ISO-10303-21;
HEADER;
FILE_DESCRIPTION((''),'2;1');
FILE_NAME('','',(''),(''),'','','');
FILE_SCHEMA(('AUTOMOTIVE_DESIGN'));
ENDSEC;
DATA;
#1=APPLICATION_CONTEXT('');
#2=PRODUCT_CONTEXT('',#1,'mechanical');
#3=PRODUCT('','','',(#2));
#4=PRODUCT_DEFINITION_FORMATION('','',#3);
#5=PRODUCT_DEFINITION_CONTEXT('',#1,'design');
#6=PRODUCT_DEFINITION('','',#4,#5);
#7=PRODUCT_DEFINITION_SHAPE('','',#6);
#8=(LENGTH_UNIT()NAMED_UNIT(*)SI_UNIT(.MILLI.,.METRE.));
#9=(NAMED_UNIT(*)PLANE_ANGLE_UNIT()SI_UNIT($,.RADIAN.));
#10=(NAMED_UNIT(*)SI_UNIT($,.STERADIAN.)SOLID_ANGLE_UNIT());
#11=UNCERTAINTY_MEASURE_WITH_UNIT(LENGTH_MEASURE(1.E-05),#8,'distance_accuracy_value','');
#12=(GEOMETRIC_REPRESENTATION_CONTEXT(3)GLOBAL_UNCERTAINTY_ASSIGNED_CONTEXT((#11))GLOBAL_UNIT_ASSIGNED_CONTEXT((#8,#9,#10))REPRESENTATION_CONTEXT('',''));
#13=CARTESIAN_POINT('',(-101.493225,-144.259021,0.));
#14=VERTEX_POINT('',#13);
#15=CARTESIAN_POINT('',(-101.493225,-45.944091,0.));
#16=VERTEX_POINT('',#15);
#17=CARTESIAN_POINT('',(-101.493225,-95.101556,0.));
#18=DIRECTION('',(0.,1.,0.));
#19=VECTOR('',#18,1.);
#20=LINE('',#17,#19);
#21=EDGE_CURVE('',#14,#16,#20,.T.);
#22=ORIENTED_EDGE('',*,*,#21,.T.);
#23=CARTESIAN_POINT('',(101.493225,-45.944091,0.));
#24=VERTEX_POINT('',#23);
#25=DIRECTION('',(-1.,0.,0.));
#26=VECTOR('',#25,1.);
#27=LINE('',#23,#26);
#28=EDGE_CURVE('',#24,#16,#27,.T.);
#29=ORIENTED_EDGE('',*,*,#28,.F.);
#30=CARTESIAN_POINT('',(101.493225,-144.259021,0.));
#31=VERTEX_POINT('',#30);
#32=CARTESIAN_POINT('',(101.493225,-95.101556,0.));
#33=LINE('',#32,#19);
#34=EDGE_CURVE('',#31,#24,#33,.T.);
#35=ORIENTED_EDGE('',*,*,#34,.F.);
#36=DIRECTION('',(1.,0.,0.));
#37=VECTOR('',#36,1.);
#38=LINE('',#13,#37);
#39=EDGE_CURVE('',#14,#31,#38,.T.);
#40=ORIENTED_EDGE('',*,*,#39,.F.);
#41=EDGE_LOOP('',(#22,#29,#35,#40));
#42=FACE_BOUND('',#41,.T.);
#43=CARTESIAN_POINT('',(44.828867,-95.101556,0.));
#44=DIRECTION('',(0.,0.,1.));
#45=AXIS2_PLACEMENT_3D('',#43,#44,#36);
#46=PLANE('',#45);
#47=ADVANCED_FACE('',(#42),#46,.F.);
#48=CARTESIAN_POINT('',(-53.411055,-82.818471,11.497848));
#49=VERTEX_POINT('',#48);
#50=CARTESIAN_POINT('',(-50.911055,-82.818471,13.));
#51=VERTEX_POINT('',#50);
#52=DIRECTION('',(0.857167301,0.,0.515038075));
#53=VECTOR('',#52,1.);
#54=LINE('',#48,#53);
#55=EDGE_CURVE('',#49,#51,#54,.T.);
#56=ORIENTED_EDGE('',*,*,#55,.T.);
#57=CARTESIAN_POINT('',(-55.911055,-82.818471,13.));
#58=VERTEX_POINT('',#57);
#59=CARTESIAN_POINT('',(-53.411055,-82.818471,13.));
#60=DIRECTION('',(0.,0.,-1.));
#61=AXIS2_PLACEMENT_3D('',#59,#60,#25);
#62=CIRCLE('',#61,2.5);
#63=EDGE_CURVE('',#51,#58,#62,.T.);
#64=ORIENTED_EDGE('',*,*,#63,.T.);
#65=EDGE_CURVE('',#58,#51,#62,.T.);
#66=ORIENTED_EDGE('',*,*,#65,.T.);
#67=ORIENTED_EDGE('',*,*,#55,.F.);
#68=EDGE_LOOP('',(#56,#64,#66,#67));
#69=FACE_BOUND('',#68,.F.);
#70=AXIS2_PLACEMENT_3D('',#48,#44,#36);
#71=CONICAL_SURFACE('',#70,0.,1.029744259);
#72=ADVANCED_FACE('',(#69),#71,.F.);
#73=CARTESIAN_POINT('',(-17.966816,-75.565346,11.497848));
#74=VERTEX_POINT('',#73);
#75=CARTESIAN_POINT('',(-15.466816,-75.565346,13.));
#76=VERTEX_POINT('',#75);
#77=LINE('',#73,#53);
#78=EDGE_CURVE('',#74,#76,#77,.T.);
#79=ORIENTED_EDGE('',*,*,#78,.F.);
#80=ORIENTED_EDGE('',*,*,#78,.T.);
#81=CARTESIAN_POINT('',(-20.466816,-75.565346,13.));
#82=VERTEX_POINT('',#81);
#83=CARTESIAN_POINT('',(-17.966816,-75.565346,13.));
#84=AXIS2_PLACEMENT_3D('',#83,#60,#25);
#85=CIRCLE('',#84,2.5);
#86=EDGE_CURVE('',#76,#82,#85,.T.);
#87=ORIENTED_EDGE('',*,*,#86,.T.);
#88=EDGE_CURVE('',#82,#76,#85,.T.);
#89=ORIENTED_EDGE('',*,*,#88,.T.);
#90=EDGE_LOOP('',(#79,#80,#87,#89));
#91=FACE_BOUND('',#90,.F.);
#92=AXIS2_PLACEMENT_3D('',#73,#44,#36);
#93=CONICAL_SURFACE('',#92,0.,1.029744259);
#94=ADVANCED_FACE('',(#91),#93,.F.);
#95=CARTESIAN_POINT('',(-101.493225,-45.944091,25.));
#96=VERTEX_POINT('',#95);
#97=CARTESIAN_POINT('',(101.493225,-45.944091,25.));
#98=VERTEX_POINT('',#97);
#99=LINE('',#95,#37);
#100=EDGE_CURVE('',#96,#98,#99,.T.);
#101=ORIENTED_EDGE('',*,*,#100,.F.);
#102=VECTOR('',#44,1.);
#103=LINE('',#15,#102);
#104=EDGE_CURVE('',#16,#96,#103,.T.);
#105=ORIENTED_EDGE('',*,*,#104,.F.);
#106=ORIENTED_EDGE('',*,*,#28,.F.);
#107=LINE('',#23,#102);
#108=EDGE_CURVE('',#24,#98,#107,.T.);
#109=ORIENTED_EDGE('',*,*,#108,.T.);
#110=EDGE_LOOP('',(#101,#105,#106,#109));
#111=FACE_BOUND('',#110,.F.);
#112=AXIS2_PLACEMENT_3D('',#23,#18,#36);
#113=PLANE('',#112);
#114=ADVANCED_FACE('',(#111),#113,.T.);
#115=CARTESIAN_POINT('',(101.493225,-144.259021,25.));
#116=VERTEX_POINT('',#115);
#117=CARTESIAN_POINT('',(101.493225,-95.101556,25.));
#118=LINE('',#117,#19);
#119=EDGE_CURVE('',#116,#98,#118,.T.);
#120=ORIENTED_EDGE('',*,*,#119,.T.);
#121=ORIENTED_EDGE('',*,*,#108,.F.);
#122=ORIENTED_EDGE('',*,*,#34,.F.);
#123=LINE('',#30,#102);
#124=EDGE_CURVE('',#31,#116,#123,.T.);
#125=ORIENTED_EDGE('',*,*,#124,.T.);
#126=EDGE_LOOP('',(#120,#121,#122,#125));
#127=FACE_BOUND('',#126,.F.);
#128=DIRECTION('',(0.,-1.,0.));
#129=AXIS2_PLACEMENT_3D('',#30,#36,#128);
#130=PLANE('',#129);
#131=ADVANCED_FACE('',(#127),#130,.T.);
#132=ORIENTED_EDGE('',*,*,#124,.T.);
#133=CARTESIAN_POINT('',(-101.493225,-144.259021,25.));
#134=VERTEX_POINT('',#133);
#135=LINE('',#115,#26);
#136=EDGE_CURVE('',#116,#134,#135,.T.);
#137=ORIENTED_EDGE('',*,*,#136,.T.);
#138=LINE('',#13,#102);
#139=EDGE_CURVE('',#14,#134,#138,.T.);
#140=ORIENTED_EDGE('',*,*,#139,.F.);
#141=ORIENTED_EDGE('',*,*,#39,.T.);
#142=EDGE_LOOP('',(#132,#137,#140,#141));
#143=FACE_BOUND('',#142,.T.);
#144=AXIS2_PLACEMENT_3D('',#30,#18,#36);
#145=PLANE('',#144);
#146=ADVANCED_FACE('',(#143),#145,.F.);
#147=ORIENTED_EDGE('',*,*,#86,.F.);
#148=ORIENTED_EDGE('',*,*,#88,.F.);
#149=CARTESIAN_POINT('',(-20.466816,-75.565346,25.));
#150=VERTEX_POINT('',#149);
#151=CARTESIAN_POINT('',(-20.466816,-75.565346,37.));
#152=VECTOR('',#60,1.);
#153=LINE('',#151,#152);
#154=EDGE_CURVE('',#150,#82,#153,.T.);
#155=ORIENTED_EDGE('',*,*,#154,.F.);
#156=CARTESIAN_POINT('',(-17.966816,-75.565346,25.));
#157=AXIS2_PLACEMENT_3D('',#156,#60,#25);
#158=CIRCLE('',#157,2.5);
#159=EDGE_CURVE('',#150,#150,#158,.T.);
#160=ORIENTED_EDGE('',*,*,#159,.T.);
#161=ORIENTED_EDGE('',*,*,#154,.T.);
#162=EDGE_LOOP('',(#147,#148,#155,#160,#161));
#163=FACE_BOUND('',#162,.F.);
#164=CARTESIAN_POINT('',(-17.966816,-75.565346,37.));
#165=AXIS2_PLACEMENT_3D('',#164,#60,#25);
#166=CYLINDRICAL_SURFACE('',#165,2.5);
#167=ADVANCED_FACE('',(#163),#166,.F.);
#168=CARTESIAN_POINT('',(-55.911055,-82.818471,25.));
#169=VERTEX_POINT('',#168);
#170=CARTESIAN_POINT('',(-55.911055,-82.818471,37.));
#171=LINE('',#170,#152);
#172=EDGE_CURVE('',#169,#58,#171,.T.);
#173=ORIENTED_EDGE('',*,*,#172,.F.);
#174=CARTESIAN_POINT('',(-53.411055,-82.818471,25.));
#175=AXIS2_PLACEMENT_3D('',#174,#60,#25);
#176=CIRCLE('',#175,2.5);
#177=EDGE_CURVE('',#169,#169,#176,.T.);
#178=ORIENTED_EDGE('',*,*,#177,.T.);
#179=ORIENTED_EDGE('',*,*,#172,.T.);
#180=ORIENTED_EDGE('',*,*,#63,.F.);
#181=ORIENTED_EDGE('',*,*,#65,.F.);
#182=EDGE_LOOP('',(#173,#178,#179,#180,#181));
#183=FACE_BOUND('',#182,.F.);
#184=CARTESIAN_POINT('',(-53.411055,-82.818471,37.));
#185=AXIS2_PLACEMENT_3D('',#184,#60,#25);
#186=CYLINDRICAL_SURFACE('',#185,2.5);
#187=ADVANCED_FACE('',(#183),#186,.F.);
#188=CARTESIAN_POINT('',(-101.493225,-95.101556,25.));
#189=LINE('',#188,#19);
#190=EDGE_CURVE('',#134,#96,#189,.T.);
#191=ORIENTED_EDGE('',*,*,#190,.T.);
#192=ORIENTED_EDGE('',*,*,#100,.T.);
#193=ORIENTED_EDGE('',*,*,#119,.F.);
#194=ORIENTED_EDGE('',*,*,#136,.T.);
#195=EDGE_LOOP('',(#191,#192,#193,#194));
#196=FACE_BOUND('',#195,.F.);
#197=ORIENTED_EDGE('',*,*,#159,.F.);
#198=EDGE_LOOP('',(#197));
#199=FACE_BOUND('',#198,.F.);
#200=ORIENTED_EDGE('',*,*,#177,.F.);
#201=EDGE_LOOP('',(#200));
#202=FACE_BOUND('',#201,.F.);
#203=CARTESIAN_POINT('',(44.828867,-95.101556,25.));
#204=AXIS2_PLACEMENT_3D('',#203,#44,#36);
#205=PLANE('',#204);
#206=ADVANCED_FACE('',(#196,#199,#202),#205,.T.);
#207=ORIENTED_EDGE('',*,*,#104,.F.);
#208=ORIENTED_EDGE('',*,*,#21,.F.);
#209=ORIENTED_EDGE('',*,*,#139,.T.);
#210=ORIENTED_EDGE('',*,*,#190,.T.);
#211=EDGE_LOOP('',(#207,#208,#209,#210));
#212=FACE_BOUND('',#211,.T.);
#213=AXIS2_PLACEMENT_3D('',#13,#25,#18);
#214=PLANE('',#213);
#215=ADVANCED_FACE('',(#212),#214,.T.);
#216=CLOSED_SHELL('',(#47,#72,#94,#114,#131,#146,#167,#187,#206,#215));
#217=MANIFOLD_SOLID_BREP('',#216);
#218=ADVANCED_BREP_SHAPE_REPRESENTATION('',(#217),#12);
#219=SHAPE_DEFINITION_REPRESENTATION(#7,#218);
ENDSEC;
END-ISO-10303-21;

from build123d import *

# Parameters (mm, degrees)
F0_W     = 113.3287157863
F0_H     = 98.3149297535
F1_DEPTH = 25
F4_D     = 5
F4_DEPTH = 12
F4_TIP   = 1.5021515476


with BuildPart() as f1:
    # F0 (on Top) → F1 (new body)
    with BuildSketch(Plane.XY):
        with Locations((-44.8288666084, -95.1015558094)):
            Rectangle(F0_W, F0_H)
    extrude(amount=F1_DEPTH)

    # F2: F1 across plane


with BuildPart() as f1_1:
    add(f1.part)
    add(f1.part.mirror(Plane.YZ))

    # F4
    with Locations(Plane.XY.offset(25)):
        with Locations((-53.4110553563, -82.8184708953), (-17.9668162018, -75.5653455853)):
            Hole(F4_D / 2, depth=F4_DEPTH)
            with Locations((0, 0, -(F4_DEPTH + F4_TIP / 2))):  # 118° drill point
                Cone(0, F4_D / 2, F4_TIP, mode=Mode.SUBTRACT)


solid = f1_1.part
